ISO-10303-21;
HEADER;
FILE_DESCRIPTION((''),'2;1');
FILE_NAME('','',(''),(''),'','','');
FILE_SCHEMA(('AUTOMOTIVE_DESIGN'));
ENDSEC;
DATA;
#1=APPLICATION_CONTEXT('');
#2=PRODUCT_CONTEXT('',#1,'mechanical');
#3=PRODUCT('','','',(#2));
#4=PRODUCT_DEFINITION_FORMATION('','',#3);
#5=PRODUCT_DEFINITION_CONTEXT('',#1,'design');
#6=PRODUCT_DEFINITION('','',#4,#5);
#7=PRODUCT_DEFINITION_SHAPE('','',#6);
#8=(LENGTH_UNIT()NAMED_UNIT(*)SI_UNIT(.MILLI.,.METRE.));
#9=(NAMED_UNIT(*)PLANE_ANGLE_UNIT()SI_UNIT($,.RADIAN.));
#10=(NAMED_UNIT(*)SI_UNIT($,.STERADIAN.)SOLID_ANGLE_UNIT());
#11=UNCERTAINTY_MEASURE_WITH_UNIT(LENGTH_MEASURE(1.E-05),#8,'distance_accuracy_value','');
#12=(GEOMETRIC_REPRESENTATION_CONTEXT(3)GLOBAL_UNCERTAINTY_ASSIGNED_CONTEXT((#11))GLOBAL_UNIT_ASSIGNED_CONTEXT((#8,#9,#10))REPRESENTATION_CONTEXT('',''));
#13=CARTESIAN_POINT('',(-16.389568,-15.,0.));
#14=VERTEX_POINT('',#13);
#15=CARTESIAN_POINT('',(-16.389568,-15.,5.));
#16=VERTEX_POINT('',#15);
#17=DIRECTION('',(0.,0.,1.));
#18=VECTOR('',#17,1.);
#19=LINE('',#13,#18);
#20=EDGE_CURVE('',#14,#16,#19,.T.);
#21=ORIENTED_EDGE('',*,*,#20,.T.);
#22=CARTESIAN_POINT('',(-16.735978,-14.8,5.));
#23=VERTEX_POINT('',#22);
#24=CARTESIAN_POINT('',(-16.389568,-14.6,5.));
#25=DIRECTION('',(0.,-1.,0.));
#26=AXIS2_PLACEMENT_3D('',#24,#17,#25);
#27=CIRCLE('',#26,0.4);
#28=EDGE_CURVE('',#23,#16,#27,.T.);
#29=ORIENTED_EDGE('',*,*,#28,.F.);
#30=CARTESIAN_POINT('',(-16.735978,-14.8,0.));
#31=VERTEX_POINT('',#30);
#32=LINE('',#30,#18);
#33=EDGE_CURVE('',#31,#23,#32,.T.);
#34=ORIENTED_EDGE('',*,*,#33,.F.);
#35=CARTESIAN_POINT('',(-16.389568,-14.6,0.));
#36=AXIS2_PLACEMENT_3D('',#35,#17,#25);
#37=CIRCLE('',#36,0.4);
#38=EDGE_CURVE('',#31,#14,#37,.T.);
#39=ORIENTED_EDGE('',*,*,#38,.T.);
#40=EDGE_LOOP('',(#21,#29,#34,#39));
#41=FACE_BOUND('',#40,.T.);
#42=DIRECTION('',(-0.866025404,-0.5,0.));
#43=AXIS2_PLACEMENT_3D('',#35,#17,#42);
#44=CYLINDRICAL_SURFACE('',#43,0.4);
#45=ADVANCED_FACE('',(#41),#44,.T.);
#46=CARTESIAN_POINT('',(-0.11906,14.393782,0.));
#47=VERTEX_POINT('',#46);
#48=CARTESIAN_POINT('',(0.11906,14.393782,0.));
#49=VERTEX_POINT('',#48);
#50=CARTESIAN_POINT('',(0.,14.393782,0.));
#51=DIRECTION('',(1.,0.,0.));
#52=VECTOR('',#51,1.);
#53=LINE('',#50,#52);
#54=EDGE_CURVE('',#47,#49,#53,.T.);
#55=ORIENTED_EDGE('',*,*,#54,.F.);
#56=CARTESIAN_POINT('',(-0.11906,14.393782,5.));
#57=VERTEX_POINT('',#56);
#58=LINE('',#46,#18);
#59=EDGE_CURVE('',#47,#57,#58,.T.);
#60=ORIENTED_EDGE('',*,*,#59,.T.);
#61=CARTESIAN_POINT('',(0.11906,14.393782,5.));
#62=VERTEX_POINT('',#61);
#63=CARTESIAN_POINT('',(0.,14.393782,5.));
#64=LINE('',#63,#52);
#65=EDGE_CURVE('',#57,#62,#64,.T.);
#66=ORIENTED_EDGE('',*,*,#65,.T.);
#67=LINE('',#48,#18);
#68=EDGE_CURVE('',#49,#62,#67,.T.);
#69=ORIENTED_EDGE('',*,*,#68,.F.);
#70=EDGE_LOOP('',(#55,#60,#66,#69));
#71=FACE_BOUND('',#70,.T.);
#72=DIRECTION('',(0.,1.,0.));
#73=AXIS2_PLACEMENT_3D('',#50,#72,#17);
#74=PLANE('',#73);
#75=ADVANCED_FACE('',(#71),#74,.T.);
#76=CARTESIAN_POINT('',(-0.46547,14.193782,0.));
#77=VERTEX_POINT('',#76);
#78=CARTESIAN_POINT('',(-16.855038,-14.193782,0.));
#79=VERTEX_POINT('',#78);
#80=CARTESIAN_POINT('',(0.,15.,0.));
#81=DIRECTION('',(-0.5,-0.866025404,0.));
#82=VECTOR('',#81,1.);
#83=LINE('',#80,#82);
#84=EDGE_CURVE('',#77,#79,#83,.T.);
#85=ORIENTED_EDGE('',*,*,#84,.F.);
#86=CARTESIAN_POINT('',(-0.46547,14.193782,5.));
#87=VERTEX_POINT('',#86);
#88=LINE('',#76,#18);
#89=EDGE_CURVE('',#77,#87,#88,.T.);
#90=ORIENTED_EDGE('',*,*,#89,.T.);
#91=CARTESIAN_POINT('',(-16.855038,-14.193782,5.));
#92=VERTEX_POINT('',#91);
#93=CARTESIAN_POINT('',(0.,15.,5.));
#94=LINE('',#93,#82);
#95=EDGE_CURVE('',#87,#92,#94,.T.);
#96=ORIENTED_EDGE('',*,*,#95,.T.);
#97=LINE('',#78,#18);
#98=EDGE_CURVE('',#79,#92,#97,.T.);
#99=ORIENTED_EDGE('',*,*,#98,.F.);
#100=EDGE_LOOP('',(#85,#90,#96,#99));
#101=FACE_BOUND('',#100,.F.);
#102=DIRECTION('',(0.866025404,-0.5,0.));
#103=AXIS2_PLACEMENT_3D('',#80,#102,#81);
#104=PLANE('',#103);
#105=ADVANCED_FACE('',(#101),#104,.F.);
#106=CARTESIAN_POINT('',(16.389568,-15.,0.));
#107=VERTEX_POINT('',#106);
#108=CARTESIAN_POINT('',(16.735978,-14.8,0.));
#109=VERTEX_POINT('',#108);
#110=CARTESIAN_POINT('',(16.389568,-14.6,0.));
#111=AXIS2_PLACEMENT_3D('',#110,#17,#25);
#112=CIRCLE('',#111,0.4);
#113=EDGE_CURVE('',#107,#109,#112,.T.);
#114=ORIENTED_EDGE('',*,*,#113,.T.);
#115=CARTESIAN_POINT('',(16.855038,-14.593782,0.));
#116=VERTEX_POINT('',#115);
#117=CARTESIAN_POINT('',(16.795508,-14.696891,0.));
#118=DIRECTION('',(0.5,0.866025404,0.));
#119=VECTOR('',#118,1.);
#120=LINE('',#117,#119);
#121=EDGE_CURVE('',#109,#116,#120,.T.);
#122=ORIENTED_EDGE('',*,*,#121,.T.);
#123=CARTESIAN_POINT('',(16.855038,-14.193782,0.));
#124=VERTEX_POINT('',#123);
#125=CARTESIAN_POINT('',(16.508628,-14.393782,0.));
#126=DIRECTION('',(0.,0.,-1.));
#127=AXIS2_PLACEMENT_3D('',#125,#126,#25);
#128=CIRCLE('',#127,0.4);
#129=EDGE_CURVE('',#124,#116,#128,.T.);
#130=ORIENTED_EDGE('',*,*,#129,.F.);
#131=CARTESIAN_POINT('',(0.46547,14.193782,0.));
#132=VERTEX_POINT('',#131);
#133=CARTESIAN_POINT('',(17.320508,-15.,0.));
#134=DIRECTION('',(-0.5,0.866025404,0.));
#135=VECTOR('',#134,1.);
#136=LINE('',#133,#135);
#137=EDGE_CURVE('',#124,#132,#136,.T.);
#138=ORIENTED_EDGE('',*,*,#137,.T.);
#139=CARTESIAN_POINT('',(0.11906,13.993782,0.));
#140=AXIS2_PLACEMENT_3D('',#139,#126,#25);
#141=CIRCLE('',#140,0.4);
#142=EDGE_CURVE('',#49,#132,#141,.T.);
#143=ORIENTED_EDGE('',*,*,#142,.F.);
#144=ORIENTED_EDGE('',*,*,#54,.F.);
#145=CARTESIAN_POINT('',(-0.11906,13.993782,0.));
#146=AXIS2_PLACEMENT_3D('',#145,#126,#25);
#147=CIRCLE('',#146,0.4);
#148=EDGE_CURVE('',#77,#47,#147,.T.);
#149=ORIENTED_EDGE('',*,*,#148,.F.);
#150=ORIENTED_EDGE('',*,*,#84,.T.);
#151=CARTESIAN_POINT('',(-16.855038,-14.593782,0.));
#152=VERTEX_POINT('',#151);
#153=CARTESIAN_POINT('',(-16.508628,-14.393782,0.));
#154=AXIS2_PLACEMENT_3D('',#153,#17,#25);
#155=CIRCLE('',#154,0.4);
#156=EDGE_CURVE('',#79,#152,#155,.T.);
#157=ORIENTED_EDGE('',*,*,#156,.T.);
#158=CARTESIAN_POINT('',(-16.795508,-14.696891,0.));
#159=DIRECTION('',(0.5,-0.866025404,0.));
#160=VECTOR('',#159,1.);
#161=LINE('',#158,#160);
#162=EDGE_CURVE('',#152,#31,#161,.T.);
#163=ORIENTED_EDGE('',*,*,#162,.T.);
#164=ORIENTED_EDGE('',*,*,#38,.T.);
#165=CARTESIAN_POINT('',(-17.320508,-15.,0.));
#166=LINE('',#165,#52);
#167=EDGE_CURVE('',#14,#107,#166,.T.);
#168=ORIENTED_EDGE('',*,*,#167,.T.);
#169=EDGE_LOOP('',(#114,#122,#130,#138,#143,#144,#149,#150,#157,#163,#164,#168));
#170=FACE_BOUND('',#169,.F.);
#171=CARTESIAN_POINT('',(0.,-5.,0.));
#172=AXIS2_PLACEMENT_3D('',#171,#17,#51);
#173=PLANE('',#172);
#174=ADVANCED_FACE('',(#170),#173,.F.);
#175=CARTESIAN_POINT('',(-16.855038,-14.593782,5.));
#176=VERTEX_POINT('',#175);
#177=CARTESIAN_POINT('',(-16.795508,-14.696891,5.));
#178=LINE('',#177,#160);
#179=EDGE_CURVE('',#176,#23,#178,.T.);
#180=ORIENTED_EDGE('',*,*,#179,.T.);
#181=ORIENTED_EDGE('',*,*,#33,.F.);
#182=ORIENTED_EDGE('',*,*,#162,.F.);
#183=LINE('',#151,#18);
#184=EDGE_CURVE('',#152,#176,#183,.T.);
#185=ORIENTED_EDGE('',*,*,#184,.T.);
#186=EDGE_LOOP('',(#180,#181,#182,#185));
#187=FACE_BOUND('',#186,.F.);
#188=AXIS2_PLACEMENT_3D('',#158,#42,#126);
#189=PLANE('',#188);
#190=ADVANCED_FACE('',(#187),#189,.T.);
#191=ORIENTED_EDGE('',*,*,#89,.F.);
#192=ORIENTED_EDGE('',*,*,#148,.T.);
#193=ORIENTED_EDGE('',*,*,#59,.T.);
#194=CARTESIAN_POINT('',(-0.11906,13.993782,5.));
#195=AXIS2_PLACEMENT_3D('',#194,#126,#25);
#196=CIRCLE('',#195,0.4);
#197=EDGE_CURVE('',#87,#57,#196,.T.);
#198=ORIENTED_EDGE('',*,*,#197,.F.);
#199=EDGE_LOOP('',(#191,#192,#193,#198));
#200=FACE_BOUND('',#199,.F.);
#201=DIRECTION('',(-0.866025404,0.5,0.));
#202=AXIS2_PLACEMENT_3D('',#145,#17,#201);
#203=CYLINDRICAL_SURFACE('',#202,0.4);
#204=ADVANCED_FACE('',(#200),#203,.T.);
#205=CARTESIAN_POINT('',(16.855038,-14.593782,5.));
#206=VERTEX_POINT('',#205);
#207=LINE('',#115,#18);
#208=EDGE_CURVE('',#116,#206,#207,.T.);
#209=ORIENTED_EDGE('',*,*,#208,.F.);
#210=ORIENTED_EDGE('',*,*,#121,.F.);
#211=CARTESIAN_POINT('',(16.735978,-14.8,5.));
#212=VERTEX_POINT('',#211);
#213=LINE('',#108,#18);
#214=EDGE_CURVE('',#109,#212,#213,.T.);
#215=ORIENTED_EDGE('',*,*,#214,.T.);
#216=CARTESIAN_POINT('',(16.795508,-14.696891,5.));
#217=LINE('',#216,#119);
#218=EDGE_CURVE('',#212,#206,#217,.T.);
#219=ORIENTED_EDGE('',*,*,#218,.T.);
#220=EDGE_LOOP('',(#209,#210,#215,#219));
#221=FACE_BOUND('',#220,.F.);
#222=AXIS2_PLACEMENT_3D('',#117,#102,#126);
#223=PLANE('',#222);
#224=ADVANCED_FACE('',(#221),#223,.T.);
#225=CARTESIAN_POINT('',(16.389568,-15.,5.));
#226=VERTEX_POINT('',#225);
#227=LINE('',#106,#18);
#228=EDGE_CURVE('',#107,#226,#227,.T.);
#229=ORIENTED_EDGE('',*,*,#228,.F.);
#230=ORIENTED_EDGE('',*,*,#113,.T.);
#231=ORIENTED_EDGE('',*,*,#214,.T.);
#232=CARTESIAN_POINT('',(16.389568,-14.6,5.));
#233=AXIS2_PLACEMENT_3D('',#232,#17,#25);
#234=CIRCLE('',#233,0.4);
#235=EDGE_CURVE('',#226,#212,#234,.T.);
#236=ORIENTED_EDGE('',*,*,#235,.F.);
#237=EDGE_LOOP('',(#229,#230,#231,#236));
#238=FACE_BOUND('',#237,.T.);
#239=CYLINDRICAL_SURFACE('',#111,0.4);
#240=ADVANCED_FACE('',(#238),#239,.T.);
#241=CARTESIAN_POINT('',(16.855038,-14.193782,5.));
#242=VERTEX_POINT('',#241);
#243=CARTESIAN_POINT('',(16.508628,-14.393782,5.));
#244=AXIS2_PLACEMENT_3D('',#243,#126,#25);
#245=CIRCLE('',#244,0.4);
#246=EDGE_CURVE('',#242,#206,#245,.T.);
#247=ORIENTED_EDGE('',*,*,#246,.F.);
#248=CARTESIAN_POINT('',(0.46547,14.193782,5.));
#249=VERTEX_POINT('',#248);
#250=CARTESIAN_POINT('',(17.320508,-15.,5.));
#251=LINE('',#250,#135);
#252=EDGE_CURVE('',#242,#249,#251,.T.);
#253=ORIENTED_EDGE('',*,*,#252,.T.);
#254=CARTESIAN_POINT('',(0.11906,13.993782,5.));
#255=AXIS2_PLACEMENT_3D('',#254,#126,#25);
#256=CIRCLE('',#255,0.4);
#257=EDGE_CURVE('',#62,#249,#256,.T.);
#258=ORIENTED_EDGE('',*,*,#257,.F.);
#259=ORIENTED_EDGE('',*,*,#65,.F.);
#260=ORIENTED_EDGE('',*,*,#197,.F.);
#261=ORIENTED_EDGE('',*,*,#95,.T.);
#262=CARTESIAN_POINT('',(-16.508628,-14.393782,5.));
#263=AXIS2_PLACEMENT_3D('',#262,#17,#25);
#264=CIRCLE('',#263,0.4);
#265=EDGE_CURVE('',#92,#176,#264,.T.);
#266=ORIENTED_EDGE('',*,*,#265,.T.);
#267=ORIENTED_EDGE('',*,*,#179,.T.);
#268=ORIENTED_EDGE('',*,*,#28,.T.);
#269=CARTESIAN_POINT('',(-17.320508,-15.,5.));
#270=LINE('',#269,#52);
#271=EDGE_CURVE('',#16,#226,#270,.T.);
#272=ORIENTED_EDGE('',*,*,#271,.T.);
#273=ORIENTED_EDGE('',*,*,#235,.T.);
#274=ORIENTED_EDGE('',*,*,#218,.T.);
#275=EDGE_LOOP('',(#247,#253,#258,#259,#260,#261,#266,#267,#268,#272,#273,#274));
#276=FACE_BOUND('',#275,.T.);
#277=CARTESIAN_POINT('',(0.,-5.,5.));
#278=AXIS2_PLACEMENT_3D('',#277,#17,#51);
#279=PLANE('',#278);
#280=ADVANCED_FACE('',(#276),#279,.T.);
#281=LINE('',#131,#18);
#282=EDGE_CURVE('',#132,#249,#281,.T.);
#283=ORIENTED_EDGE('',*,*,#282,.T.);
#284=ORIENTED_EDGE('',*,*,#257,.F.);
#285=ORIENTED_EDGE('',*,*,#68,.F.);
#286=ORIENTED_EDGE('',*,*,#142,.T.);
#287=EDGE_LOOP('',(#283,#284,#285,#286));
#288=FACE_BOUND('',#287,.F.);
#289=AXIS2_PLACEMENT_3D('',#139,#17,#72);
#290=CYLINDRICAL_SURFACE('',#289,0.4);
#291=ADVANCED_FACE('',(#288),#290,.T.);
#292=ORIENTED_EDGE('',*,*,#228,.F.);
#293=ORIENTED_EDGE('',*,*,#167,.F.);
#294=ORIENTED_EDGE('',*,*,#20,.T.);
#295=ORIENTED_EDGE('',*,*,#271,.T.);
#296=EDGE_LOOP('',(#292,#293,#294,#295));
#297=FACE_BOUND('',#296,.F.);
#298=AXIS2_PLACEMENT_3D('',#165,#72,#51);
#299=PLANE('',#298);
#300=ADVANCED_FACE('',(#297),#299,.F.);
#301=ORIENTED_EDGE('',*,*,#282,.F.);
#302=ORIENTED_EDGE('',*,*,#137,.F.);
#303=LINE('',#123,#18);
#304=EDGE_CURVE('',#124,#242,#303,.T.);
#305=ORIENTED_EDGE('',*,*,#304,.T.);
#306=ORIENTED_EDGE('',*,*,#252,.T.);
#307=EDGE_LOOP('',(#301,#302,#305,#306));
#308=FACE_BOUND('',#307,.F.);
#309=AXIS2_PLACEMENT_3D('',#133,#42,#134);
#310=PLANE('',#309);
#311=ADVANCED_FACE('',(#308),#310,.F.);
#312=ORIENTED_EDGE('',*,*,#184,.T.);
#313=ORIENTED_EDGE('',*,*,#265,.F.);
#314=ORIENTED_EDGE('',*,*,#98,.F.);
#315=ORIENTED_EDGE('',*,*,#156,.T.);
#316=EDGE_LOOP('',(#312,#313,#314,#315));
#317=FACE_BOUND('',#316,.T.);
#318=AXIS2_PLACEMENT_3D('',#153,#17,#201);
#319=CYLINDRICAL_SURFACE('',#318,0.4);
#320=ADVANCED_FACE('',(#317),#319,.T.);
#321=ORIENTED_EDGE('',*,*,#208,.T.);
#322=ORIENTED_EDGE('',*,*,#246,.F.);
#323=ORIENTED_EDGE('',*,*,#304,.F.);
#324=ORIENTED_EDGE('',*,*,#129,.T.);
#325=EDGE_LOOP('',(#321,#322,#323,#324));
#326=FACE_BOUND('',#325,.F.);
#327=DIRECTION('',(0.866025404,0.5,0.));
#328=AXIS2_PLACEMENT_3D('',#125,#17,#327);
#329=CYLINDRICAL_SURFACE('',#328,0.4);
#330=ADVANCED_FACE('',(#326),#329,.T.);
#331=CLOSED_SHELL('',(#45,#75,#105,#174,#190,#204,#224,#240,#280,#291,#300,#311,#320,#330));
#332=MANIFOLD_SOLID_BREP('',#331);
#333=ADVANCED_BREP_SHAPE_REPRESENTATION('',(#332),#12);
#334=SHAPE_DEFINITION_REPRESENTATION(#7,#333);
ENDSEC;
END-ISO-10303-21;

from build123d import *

# Parameters (mm, degrees)
F1_DEPTH = 5
F2_SIZE  = 0.7
F3_R     = 0.4


with BuildPart() as f1:
    # F0 (on Top) → F1 (new body)
    with BuildSketch(Plane.XY):
        Polygon((0, 15), (-17.3205080757, -15), (17.3205080757, -15), align=None)
    extrude(amount=F1_DEPTH)

    # F2
    f2_edges = [f1.edges().sort_by_distance(p)[0] for p in [
        (-17.320508, -15, 2.5),
        (17.320508, -15, 2.5),
        (0, 15, 2.5),
    ]]
    chamfer(f2_edges, length=F2_SIZE)

    # F3
    f3_edges = [f1.edges().sort_by_distance(p)[0] for p in [
        (-0.35, 14.393782, 2.5),
        (0.35, 14.393782, 2.5),
        (16.970508, -14.393782, 2.5),
        (16.620508, -15, 2.5),
        (-16.620508, -15, 2.5),
        (-16.970508, -14.393782, 2.5),
    ]]
    fillet(f3_edges, radius=F3_R)


solid = f1.part
